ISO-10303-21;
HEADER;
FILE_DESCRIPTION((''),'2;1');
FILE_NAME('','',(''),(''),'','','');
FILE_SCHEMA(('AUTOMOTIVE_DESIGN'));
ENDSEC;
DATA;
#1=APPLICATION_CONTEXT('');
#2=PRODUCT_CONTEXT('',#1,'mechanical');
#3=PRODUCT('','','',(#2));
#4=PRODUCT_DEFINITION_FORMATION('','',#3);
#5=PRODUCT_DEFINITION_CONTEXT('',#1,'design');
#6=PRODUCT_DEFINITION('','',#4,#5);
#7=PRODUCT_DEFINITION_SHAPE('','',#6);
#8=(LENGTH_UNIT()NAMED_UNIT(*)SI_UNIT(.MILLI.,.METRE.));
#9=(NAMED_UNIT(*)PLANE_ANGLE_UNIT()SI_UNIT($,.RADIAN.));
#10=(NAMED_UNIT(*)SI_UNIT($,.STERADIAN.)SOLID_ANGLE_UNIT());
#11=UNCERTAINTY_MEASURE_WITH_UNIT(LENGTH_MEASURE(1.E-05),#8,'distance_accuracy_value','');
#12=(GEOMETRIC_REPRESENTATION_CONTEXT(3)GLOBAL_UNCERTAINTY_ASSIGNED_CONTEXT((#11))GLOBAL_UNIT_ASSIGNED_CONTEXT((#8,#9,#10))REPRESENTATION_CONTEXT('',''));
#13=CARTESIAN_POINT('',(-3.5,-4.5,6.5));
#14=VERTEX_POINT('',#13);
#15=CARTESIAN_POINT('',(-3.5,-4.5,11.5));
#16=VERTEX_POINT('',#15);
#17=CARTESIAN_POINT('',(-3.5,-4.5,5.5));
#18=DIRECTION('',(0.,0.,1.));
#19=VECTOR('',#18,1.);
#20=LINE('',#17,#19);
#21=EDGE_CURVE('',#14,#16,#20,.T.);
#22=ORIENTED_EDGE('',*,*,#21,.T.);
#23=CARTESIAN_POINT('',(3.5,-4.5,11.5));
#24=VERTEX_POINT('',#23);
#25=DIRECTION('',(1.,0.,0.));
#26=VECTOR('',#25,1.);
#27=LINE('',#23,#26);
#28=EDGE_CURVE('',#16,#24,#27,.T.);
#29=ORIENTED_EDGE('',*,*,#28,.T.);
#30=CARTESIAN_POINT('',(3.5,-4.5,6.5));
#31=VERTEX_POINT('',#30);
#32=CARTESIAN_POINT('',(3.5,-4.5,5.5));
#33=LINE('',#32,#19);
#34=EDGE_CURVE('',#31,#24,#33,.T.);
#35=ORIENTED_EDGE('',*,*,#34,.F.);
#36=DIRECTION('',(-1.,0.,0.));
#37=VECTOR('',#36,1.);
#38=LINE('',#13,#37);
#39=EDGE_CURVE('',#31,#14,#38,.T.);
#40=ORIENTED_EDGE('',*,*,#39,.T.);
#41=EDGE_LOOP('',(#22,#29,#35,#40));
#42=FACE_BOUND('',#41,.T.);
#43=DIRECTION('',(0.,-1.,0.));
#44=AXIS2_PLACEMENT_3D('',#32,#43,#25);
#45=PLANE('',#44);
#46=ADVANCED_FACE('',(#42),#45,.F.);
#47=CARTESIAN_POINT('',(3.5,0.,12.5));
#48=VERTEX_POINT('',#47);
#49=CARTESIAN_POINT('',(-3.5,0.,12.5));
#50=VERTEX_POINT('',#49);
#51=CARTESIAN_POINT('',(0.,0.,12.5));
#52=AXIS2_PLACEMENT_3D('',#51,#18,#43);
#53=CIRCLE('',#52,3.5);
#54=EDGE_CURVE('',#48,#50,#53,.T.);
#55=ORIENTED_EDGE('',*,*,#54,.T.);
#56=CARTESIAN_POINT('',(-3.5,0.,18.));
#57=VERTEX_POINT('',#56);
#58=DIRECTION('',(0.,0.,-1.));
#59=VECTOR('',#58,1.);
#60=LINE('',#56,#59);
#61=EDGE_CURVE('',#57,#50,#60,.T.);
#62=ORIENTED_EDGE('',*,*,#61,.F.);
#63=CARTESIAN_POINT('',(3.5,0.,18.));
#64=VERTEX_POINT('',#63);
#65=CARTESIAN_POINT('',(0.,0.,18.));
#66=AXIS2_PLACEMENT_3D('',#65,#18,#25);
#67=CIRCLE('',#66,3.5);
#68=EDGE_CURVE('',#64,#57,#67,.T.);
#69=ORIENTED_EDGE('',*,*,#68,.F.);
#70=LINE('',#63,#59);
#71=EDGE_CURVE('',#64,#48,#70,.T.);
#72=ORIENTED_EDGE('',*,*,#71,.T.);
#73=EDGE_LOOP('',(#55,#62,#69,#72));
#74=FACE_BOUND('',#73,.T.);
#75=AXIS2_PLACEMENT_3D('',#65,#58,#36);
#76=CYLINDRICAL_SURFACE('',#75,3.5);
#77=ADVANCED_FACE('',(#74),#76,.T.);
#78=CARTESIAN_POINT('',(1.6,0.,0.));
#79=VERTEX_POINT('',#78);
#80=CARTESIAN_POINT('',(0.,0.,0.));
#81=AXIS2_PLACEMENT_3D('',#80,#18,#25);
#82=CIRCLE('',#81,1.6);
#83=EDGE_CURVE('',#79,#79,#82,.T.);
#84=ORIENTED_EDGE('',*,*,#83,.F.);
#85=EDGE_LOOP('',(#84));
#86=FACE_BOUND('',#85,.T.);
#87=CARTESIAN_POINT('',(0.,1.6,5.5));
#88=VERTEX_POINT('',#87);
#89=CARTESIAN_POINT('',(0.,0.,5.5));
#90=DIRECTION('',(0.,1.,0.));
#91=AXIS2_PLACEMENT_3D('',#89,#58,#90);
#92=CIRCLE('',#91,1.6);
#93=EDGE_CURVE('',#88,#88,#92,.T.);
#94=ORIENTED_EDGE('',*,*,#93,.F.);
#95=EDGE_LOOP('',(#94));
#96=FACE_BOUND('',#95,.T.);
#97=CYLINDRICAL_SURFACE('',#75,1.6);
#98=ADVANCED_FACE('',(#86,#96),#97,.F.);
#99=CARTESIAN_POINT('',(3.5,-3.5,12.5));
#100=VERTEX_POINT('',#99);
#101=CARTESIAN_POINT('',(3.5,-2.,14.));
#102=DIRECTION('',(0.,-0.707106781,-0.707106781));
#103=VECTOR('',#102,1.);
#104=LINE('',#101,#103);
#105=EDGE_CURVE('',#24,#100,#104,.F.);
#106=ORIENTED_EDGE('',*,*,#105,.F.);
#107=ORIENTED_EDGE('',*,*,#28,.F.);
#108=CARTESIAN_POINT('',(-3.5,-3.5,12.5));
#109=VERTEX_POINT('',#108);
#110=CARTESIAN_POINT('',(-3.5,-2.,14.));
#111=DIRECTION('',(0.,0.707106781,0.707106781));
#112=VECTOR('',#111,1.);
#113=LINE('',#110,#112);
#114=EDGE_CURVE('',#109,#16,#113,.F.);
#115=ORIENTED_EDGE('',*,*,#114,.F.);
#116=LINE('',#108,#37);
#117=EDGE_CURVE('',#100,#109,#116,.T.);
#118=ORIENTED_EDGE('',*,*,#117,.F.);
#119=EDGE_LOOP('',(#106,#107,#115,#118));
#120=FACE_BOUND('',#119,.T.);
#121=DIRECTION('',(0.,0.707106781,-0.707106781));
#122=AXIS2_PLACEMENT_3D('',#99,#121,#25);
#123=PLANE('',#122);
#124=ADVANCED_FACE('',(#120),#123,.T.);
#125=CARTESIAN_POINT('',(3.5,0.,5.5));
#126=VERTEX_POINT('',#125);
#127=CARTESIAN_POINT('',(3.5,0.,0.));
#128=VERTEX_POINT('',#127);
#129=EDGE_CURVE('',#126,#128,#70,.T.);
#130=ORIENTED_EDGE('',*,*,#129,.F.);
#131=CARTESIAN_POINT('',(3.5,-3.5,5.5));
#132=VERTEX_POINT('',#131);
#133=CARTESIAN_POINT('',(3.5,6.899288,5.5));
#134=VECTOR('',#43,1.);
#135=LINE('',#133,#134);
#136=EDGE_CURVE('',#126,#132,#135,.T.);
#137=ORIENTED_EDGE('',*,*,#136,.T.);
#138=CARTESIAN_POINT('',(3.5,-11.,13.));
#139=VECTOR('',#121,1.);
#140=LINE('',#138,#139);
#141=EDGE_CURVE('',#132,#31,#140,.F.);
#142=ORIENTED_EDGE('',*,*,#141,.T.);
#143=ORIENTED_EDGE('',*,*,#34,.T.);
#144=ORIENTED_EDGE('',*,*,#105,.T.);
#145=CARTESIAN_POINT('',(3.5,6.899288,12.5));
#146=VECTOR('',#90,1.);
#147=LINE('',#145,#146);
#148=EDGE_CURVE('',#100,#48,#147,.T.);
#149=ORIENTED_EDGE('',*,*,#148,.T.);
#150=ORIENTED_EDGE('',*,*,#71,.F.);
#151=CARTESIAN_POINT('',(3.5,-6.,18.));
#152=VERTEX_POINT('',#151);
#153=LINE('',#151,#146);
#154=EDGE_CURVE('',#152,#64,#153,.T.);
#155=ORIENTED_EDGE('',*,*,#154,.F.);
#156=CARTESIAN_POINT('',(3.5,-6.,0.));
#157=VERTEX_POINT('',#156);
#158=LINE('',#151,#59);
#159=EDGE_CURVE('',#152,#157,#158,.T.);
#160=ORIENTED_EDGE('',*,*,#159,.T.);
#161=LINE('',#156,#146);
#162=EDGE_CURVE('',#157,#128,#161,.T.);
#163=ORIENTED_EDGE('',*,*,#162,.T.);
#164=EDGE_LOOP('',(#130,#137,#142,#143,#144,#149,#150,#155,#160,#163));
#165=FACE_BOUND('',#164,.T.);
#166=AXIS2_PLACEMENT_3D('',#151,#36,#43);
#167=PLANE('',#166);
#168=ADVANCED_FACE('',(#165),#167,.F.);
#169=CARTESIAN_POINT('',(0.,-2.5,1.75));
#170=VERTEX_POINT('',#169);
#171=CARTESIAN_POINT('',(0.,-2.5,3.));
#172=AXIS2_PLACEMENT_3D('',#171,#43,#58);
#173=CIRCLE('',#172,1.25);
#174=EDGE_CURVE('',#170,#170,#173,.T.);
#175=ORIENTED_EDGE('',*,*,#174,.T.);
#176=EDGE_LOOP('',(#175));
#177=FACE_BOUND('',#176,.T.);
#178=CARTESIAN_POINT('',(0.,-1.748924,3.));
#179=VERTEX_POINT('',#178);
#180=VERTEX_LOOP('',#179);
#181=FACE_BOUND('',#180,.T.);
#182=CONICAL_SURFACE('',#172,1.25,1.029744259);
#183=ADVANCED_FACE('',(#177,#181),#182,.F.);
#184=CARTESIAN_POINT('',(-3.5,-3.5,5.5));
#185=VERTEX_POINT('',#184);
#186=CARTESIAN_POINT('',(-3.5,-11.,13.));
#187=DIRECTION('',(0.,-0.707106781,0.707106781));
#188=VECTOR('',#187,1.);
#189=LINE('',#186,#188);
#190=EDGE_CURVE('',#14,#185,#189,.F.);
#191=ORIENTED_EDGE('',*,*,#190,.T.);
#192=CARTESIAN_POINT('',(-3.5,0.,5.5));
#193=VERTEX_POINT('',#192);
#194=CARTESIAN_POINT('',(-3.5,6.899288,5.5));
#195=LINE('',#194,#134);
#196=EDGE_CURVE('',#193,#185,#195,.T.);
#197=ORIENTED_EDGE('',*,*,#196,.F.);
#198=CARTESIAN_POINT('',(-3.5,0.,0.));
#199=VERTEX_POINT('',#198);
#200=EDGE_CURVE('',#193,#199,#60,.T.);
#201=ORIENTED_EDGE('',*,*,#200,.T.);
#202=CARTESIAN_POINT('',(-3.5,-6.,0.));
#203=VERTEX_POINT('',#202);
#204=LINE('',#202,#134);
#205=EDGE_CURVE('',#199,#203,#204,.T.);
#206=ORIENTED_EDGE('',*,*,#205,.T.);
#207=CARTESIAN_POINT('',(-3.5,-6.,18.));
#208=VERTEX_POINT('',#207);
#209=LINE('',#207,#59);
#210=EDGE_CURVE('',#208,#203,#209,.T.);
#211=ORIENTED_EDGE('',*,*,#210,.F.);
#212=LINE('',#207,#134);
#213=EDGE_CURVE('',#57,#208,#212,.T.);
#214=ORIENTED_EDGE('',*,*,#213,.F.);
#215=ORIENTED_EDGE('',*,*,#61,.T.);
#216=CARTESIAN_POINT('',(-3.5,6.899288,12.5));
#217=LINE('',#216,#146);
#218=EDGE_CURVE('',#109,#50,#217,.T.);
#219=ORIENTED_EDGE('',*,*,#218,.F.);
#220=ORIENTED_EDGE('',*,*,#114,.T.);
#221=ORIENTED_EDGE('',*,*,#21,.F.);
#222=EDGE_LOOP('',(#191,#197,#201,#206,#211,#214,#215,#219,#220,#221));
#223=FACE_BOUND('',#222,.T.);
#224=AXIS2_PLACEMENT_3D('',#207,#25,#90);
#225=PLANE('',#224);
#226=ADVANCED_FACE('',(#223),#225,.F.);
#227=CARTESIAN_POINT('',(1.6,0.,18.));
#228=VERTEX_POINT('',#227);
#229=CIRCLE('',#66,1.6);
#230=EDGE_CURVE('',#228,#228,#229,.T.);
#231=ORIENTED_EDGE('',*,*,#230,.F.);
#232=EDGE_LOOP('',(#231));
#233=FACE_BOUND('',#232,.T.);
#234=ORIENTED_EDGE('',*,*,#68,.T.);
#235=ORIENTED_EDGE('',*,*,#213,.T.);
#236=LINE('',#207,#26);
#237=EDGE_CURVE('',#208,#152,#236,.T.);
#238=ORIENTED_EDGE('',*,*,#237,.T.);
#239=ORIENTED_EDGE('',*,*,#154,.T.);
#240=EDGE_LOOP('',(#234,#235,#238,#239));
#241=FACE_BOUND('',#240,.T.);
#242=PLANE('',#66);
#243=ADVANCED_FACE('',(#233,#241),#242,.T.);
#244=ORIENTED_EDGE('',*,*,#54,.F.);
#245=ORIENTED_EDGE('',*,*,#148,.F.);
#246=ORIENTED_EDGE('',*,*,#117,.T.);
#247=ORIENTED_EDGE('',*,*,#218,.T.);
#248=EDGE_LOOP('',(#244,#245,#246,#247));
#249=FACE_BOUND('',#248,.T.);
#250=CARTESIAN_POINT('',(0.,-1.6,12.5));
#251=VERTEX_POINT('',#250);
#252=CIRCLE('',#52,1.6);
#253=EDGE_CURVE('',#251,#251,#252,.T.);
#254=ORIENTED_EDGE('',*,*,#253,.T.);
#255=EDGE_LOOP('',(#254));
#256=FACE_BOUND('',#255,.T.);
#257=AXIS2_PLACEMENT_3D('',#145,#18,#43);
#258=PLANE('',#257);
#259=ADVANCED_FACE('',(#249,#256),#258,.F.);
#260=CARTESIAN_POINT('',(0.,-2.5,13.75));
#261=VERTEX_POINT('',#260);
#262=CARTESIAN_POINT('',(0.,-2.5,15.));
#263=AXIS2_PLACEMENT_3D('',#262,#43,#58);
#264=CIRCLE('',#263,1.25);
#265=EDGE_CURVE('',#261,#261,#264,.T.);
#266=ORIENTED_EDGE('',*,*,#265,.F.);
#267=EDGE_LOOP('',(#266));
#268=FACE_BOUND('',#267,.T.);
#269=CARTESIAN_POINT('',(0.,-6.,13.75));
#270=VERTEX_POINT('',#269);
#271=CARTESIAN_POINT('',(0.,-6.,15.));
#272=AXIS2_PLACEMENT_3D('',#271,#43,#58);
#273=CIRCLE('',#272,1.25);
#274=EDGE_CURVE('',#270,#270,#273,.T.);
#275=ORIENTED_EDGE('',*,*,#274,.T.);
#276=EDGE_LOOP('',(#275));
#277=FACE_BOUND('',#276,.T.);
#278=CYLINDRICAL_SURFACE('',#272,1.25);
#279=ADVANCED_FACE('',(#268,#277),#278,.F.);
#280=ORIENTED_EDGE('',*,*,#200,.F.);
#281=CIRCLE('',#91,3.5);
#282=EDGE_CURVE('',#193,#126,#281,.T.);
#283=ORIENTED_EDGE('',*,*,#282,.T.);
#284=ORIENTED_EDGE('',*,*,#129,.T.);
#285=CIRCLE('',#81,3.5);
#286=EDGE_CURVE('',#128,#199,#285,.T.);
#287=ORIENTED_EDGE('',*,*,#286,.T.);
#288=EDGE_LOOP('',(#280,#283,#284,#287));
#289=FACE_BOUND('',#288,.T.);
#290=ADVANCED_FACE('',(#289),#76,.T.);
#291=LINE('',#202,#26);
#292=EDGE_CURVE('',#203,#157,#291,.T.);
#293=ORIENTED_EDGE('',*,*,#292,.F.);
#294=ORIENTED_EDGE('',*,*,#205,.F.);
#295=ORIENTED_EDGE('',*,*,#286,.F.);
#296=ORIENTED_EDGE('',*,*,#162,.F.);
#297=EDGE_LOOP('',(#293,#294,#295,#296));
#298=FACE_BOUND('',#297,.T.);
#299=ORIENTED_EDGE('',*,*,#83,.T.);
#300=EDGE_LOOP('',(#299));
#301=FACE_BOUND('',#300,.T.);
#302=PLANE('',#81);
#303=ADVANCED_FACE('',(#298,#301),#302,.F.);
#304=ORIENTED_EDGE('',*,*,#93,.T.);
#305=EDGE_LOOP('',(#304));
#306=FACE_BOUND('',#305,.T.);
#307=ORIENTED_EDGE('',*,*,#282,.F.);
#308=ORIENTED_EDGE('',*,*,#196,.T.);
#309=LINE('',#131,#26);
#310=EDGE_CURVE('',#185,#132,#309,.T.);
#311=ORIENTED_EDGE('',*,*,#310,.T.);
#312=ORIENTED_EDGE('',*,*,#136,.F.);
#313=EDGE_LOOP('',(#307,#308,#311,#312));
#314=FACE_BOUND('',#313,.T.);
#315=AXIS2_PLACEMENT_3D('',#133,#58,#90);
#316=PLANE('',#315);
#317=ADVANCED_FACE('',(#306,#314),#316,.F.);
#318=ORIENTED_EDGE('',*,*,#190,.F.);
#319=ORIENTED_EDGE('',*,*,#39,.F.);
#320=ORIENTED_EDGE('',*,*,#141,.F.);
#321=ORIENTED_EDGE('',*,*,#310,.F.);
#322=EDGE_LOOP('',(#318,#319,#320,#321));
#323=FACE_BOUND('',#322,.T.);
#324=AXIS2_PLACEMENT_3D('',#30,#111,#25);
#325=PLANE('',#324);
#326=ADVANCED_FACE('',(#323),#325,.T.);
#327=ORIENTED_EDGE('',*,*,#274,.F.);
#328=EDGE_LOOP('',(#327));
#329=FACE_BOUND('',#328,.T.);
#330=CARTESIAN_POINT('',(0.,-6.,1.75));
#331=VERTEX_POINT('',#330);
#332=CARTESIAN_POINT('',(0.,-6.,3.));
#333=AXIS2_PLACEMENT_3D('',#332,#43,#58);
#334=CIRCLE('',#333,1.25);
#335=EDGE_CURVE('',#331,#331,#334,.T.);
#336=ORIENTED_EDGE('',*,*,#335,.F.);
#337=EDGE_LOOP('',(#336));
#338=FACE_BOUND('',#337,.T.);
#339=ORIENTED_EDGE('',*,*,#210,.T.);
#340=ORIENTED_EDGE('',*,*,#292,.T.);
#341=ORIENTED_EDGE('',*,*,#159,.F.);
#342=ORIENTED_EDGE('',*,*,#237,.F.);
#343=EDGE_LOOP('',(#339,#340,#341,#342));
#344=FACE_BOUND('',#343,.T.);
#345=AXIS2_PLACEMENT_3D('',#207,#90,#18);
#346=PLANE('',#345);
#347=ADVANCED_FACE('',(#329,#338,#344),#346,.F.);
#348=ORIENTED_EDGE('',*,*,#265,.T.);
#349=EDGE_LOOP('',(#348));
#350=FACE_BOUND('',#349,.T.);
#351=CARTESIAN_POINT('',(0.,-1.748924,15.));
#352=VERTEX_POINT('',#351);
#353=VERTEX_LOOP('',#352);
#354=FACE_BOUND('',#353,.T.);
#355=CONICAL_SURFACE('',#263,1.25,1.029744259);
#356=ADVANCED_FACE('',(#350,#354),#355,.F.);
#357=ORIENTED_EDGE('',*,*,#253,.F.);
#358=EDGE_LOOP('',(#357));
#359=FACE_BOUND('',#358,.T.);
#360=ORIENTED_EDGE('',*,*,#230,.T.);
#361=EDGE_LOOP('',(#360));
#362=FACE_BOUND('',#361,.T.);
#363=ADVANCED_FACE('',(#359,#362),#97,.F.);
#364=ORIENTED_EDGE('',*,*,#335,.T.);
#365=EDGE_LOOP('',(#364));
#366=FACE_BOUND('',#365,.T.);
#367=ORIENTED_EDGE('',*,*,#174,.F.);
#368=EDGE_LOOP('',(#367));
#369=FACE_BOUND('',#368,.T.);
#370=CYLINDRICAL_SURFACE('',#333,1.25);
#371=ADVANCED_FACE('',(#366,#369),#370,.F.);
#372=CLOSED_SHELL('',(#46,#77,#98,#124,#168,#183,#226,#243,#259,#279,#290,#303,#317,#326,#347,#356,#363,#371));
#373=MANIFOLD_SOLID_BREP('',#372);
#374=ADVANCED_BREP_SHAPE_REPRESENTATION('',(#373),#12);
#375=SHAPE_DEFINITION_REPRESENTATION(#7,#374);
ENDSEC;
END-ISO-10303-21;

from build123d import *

# Parameters (mm, degrees)
SKETCH_1_R             = 1.6
EXTRUDE_1_DEPTH        = 18
SKETCH_3_W             = 7
SKETCH_3_H             = 11.399287815
CUT_EXTRUDE_2_DEPTH    = 21.223748416
HOLE_WIZARD_M3_1_D     = 2.5
HOLE_WIZARD_M3_1_DEPTH = 3.5
HOLE_WIZARD_M3_1_TIP   = 0.751075774
CHAMFER_1_SIZE         = 1


with BuildPart() as part:
    # 草图1 → 凸台-拉伸1 (new body)
    with BuildSketch(Plane.XY):
        with BuildLine():
            Line((-3.5, -6), (-3.5, 0))
            ThreePointArc((-3.5, 0), (0, 3.5), (3.5, 0))
            Line((3.5, 0), (3.5, -6))
            Line((3.5, -6), (-3.5, -6))
        make_face()
        Circle(SKETCH_1_R, mode=Mode.SUBTRACT)
    extrude(amount=EXTRUDE_1_DEPTH)

    # 草图3 → 切除-拉伸2 (cut, through all)
    with BuildSketch(Plane.ZY.offset(3.5)):
        with Locations((9, 1.199643908)):
            Rectangle(SKETCH_3_W, SKETCH_3_H)
    extrude(amount=-CUT_EXTRUDE_2_DEPTH, mode=Mode.SUBTRACT)

    # M3 螺纹孔1
    with Locations(Plane(origin=(0, -6, 0), x_dir=(-1, 0, 0), z_dir=(0, -1, 0))):
        with Locations((0, -3), (0, -15)):
            Hole(HOLE_WIZARD_M3_1_D / 2, depth=HOLE_WIZARD_M3_1_DEPTH)
            with Locations((0, 0, -(HOLE_WIZARD_M3_1_DEPTH + HOLE_WIZARD_M3_1_TIP / 2))):  # 118° drill point
                Cone(0, HOLE_WIZARD_M3_1_D / 2, HOLE_WIZARD_M3_1_TIP, mode=Mode.SUBTRACT)

    # 倒角1
    chamfer_1_edges = [part.edges().sort_by_distance(p)[0] for p in [
        (0, -4.5, 5.5),
        (0, -4.5, 12.5),
    ]]
    chamfer(chamfer_1_edges, length=CHAMFER_1_SIZE)


solid = part.part
